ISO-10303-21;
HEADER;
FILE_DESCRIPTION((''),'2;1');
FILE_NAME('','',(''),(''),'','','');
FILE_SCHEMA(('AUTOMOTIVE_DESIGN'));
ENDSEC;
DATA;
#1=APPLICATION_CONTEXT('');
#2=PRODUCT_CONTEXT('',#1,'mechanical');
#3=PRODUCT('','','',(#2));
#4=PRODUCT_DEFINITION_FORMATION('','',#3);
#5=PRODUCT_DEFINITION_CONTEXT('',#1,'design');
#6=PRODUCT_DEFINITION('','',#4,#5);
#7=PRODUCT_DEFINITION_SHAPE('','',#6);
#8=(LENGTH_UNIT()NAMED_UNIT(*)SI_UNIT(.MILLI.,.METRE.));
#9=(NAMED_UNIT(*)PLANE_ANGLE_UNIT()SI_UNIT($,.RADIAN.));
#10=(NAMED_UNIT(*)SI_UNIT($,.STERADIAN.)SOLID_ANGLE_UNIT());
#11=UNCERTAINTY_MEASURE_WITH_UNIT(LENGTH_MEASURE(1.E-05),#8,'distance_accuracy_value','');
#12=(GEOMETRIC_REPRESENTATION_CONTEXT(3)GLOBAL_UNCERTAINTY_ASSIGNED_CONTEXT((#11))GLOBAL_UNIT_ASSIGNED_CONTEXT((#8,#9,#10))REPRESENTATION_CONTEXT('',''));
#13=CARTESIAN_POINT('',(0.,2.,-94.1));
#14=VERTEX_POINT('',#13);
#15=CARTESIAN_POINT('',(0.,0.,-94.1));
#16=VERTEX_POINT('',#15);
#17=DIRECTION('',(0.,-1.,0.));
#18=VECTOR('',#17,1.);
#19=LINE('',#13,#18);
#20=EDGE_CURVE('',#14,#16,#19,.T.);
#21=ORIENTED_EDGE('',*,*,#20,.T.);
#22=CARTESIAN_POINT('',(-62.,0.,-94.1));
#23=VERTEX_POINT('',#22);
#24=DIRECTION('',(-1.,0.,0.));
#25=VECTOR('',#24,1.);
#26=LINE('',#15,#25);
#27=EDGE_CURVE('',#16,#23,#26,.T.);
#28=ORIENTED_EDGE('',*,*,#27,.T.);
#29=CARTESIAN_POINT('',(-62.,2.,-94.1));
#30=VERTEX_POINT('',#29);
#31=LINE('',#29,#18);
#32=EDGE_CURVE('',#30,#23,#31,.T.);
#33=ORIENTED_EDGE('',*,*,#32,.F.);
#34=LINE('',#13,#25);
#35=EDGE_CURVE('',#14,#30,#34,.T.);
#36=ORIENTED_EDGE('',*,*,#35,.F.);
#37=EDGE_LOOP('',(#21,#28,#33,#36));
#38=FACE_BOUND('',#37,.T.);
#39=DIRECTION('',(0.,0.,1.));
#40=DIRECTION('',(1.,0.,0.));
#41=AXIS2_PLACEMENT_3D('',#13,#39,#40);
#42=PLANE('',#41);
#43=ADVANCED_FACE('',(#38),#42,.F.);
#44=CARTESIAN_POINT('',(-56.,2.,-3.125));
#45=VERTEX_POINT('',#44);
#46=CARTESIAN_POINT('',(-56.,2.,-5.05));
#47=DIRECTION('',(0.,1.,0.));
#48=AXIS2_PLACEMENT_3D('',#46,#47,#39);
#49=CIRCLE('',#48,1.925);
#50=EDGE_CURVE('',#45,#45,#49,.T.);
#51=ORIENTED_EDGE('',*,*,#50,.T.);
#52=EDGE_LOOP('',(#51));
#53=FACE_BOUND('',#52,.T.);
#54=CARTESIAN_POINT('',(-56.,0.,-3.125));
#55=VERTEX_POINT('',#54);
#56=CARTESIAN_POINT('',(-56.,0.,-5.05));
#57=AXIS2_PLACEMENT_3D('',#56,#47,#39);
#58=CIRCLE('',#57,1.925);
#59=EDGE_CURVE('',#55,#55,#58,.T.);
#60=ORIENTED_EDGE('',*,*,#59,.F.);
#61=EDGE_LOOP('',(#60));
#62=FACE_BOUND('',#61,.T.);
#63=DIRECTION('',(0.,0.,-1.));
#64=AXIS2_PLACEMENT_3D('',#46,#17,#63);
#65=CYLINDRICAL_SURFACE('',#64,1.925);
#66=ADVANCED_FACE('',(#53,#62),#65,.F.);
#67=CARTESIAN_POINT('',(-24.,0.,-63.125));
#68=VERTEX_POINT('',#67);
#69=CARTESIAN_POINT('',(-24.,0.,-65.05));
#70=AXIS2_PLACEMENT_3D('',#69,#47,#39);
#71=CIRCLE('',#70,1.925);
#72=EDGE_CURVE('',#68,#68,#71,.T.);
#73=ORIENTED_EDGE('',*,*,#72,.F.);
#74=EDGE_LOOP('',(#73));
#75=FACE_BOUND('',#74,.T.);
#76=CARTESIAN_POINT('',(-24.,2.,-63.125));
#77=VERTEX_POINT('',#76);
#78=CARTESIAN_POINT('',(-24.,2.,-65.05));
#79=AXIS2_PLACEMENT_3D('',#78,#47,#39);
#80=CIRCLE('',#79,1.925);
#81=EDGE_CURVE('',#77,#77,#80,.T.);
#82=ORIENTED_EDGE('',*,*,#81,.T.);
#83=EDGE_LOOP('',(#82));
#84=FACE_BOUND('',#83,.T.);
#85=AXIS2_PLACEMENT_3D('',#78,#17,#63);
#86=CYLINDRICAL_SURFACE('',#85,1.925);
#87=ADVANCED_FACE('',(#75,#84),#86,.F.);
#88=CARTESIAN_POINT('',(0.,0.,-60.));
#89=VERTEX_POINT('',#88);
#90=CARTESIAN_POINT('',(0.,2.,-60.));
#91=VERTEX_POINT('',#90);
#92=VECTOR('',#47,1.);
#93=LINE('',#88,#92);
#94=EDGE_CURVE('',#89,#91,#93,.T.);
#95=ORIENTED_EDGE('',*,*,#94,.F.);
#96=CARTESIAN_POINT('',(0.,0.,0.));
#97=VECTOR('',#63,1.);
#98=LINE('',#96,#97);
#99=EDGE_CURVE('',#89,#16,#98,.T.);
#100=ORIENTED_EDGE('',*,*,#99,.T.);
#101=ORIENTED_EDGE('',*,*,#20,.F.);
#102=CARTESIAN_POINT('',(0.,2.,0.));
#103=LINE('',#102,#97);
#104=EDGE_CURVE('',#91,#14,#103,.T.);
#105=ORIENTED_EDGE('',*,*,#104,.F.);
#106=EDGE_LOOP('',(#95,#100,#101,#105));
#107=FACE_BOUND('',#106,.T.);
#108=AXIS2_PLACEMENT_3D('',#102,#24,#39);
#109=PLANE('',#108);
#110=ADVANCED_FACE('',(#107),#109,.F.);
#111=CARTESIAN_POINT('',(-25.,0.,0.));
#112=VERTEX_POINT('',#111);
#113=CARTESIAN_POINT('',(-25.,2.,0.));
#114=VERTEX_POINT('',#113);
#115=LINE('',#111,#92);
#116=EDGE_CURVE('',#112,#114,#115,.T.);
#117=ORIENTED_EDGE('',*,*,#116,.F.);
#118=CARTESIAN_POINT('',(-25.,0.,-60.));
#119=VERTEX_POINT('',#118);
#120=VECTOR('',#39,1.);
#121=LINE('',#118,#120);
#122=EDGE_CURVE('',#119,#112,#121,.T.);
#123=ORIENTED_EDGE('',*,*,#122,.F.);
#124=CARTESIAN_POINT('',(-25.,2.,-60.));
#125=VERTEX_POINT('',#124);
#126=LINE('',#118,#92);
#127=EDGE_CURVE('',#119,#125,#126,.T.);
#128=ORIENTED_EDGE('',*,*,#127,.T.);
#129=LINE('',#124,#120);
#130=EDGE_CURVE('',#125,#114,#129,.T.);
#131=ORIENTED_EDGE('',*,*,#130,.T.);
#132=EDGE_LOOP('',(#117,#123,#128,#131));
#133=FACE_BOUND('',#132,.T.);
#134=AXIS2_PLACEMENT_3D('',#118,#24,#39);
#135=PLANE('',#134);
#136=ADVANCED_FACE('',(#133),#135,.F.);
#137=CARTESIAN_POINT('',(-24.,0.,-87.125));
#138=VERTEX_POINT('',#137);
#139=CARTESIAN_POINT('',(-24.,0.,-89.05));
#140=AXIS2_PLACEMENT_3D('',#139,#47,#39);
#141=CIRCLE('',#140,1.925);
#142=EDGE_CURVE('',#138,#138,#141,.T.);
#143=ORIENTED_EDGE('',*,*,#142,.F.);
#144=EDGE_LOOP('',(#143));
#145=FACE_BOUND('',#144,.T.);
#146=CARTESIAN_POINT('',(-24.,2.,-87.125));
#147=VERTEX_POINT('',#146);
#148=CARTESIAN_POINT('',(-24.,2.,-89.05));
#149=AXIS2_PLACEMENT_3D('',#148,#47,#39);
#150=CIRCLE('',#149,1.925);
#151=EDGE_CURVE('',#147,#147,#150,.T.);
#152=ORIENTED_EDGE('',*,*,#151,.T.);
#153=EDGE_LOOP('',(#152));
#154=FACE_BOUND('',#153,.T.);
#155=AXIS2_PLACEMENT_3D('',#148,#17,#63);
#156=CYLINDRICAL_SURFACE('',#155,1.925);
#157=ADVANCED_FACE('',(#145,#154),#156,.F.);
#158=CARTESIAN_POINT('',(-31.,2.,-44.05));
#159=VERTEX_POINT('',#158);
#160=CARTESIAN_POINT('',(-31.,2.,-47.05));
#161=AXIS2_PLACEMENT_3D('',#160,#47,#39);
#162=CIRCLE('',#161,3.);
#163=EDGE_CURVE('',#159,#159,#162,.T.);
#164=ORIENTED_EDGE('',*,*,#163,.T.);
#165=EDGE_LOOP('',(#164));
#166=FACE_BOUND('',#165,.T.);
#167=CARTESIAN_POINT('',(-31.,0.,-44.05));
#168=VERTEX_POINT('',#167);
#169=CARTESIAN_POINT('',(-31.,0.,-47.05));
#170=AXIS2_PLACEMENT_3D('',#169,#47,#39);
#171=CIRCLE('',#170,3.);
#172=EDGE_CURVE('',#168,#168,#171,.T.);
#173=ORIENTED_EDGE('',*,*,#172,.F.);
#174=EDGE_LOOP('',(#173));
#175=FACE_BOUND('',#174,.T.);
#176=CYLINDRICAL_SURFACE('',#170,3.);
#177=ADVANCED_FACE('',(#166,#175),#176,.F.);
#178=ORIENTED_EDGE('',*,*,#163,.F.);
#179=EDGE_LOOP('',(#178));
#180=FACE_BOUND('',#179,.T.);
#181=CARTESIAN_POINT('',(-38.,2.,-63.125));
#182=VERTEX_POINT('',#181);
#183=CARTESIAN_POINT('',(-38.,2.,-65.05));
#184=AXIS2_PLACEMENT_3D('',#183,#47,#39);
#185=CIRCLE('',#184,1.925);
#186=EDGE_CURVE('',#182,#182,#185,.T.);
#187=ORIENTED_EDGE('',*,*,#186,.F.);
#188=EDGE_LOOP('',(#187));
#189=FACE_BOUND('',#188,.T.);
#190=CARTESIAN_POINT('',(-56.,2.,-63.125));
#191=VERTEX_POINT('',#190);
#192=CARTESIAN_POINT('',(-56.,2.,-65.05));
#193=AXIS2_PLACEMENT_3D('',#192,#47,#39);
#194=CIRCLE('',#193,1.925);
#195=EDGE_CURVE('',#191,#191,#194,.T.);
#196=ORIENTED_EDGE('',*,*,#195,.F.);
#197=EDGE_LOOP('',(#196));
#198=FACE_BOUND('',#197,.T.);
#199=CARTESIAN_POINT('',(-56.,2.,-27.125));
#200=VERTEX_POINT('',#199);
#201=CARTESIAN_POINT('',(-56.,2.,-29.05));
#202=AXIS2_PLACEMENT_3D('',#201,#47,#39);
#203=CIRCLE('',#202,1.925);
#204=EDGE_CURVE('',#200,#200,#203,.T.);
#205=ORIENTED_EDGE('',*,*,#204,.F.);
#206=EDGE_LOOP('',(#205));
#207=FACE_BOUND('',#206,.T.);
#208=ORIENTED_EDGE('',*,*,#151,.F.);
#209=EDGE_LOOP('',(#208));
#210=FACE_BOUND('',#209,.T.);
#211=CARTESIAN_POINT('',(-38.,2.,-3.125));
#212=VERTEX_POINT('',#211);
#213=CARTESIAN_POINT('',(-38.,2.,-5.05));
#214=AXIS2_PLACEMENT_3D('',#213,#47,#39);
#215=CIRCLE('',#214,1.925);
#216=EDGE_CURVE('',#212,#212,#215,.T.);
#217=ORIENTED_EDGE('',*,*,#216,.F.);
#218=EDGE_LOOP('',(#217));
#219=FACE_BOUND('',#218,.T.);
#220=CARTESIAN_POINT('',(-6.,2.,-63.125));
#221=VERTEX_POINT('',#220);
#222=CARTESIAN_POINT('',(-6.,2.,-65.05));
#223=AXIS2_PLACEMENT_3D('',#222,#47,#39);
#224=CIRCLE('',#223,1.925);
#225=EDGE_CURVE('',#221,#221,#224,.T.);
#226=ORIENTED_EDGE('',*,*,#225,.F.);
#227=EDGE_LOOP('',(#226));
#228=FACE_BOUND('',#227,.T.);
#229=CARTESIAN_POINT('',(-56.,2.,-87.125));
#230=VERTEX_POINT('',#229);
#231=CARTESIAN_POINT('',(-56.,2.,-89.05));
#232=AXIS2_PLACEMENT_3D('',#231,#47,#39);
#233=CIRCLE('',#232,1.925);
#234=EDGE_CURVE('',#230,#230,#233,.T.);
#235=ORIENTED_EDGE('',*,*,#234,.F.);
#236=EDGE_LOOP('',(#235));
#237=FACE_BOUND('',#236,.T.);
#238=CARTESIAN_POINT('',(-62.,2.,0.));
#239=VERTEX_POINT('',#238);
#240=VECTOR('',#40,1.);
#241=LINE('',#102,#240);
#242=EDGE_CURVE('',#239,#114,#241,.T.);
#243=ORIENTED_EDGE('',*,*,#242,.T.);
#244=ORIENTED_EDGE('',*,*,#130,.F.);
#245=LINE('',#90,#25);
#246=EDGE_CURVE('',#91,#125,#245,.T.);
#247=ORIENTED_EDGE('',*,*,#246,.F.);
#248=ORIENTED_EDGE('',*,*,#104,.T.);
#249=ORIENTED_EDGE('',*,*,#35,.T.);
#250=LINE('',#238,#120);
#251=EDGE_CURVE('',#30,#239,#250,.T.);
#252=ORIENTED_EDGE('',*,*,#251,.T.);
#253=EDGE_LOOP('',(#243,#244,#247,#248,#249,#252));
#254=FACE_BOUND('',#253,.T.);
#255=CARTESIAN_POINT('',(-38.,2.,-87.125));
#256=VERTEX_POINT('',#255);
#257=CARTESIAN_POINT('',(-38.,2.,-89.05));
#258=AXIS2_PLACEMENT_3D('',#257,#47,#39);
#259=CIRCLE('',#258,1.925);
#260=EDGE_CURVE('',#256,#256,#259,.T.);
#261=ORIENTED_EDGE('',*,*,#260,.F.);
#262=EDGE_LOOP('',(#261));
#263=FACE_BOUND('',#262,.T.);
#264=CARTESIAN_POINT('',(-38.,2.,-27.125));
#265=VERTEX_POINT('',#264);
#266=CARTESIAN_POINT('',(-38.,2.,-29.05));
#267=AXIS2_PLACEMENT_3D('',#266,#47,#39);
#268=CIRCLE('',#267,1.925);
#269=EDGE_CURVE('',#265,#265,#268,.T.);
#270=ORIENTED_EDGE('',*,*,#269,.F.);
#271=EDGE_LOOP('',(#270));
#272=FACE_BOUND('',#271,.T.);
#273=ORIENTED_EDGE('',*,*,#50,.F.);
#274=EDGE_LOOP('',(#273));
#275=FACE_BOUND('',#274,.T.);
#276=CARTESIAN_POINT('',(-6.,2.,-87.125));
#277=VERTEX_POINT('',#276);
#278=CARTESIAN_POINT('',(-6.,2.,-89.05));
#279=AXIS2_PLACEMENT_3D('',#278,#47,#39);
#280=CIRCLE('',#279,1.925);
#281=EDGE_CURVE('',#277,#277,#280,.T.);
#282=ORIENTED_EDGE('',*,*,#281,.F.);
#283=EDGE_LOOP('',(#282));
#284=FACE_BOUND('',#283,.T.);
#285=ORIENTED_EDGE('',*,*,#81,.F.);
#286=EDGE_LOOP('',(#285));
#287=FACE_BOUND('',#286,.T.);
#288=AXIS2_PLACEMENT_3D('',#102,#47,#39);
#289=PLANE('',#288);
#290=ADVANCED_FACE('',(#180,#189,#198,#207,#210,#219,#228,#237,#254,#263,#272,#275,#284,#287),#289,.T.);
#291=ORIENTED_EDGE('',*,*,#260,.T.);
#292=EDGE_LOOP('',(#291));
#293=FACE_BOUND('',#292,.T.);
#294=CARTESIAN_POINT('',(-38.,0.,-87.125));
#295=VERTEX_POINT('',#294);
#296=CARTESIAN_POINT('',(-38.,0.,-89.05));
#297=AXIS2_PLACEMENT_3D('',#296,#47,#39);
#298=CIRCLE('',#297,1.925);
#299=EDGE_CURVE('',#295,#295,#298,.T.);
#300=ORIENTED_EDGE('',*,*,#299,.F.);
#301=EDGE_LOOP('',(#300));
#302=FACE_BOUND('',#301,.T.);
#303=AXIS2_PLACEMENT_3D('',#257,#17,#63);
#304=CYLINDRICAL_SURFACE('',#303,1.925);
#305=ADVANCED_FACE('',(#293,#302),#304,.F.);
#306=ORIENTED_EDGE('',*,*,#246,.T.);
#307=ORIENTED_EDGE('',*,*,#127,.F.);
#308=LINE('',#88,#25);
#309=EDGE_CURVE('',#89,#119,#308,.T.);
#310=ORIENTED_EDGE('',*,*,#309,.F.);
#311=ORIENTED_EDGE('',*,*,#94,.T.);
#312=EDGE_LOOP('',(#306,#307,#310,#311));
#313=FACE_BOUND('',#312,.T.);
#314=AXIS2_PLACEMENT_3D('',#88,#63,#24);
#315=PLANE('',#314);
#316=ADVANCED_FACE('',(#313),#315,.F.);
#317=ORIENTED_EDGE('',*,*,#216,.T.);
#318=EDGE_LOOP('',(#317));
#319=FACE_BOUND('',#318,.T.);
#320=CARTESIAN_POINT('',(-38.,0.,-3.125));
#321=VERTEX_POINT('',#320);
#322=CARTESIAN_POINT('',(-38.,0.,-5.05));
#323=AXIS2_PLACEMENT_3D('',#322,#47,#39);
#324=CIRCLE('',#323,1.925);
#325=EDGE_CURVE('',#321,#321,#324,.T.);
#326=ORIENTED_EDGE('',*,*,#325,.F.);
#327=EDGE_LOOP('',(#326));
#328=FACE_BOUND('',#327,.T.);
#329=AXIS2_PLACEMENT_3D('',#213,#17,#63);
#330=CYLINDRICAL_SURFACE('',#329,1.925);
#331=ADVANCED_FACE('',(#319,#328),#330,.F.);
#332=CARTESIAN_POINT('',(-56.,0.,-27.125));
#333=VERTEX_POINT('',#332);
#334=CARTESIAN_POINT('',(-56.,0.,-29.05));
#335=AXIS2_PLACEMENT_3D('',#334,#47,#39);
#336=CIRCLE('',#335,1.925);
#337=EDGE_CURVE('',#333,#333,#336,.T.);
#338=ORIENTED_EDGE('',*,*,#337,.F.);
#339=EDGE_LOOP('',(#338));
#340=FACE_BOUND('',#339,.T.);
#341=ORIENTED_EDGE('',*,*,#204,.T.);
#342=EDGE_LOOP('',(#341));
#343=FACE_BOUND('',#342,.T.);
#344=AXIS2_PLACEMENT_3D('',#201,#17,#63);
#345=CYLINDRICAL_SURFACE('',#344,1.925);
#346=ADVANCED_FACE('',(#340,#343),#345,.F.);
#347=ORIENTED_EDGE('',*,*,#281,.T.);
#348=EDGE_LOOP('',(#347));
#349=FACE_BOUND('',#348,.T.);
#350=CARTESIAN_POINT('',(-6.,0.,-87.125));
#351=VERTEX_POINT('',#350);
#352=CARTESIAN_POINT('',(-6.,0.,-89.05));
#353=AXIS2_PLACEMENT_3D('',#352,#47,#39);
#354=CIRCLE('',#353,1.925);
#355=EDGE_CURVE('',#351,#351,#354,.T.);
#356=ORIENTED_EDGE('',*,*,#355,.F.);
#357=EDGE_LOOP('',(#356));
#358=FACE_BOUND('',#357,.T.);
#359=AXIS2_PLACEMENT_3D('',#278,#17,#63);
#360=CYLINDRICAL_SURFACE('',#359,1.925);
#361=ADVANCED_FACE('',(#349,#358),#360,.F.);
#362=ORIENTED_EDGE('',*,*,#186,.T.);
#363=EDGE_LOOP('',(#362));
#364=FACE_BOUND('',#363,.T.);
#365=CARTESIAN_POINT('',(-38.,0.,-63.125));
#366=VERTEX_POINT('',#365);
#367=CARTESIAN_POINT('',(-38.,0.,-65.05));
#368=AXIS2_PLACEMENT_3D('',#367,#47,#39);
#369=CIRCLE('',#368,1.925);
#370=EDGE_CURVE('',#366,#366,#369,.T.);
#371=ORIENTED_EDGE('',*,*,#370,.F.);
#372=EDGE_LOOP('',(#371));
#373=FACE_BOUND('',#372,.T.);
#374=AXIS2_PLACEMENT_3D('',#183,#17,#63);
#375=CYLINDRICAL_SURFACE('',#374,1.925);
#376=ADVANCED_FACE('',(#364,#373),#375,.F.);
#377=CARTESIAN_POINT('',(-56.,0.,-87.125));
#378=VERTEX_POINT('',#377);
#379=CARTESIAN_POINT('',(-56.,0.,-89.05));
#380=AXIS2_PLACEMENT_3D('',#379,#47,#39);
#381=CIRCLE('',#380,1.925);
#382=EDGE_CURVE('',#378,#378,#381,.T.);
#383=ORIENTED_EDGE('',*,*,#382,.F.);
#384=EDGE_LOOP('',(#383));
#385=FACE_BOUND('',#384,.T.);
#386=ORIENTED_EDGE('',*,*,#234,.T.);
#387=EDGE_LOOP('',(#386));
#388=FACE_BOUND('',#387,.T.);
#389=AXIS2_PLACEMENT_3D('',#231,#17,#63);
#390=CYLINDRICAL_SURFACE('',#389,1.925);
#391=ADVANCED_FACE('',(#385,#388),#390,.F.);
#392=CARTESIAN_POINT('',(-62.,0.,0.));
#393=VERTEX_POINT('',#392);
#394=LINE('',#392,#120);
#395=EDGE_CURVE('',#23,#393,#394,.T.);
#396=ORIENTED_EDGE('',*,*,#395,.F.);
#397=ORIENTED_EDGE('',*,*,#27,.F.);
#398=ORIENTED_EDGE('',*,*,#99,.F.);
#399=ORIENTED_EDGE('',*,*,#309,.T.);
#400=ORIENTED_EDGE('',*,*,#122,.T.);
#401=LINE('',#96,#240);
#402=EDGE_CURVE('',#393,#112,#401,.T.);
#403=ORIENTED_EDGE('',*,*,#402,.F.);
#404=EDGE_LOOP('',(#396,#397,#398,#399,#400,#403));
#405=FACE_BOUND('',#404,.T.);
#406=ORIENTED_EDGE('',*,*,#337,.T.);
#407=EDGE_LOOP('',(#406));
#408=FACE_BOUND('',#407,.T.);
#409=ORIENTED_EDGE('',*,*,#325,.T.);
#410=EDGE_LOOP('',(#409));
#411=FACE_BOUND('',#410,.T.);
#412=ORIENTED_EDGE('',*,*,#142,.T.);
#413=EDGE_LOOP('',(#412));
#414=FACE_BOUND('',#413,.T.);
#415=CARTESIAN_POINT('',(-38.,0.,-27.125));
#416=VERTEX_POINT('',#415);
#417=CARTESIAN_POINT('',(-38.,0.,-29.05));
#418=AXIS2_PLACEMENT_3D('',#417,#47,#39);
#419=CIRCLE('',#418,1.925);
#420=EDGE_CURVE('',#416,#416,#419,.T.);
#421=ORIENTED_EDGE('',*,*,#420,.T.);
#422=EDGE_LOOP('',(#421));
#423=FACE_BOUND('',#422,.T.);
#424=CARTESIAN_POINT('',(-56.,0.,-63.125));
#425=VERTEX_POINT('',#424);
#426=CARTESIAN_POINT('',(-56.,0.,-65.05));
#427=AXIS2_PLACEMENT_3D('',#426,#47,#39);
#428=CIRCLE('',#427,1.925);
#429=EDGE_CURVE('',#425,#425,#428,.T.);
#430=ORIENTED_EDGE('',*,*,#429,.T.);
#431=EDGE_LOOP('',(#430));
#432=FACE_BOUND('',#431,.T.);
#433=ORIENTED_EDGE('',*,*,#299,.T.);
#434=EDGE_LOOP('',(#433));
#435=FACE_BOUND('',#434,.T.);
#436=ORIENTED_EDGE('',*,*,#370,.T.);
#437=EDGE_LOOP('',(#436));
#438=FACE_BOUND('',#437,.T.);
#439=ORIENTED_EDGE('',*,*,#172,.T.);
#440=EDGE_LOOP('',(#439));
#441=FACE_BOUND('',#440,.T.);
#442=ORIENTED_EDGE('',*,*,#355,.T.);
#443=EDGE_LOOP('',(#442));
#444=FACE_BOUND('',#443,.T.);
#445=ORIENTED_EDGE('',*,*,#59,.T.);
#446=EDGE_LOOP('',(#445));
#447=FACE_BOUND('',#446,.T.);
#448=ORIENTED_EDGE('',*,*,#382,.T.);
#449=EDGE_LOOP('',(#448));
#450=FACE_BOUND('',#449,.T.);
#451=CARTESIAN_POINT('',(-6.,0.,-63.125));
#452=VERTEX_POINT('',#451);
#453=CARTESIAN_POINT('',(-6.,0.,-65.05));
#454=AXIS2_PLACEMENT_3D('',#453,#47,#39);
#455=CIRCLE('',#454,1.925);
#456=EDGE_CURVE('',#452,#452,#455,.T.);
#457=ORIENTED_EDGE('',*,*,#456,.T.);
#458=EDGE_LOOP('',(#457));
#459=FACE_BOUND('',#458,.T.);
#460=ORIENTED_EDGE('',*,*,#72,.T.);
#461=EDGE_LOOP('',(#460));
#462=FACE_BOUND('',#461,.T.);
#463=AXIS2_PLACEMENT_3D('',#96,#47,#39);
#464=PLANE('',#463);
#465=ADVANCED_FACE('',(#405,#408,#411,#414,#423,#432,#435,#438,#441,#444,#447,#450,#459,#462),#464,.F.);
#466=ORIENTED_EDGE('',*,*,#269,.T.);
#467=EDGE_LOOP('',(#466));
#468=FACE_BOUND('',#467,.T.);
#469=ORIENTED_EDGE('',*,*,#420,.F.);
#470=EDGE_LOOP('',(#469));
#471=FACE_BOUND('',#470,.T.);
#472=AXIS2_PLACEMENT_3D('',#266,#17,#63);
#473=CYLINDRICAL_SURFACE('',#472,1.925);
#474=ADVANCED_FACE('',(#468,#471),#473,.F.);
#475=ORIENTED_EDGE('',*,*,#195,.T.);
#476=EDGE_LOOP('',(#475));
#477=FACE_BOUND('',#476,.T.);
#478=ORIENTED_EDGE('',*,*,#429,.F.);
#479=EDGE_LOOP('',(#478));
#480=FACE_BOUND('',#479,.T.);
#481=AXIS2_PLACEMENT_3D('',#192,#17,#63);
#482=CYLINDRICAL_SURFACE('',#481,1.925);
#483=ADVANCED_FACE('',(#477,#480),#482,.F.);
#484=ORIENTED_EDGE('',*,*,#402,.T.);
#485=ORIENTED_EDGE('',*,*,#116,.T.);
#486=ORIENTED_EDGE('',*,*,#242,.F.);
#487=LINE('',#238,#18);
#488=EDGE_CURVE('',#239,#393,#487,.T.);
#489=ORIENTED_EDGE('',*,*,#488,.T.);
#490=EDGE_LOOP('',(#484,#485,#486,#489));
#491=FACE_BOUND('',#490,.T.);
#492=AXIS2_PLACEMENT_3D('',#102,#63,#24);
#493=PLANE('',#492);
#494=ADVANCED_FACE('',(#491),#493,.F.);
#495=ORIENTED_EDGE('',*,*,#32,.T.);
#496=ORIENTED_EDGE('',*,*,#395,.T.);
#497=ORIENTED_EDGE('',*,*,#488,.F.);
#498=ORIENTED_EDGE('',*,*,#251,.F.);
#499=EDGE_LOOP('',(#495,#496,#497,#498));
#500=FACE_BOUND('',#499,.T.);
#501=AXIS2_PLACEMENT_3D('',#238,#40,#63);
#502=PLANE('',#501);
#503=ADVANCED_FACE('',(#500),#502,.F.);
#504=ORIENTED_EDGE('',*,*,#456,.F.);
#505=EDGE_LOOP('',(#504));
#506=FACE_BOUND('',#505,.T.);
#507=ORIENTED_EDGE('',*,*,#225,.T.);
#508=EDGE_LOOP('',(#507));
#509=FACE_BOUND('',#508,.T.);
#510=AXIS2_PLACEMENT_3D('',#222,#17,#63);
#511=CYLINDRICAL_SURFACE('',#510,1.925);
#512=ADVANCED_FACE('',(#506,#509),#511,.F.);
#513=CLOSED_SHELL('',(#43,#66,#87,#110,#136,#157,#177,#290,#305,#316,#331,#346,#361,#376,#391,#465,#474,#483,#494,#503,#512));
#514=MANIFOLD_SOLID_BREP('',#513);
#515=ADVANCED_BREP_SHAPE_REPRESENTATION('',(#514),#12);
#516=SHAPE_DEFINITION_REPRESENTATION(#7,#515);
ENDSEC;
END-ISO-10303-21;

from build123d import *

# Parameters (mm, degrees)
SKETCH1_W           = 62
SKETCH1_H           = 94.1
SKETCH1_R           = 1.925
BOSS_EXTRUDE1_DEPTH = 2
SKETCH2_R           = 3
CUT_EXTRUDE1_DEPTH  = 113.706743365
CUT_EXTRUDE2_DEPTH  = 113.706743365


with BuildPart() as part:
    # Sketch1 → Boss-Extrude1 (new body)
    with BuildSketch(Plane(origin=(0, 0, 0), x_dir=(1, 0, 0), z_dir=(0, 1, 0))):
        with Locations((-31, 47.05)):
            Rectangle(SKETCH1_W, SKETCH1_H)
        with Locations(Location((-56, 89.05, 0), (0, 0, 270))):
            Circle(SKETCH1_R, mode=Mode.SUBTRACT)
        with Locations(Location((-38, 89.05, 0), (0, 0, 270))):
            Circle(SKETCH1_R, mode=Mode.SUBTRACT)
        with Locations(Location((-38, 65.05, 0), (0, 0, 270))):
            Circle(SKETCH1_R, mode=Mode.SUBTRACT)
        with Locations(Location((-56, 65.05, 0), (0, 0, 270))):
            Circle(SKETCH1_R, mode=Mode.SUBTRACT)
        with Locations(Location((-56, 29.05, 0), (0, 0, 270))):
            Circle(SKETCH1_R, mode=Mode.SUBTRACT)
        with Locations(Location((-38, 29.05, 0), (0, 0, 270))):
            Circle(SKETCH1_R, mode=Mode.SUBTRACT)
        with Locations(Location((-38, 5.05, 0), (0, 0, 270))):
            Circle(SKETCH1_R, mode=Mode.SUBTRACT)
        with Locations(Location((-56, 5.05, 0), (0, 0, 270))):
            Circle(SKETCH1_R, mode=Mode.SUBTRACT)
        with Locations(Location((-24, 89.05, 0), (0, 0, 270))):
            Circle(SKETCH1_R, mode=Mode.SUBTRACT)
        with Locations(Location((-6, 89.05, 0), (0, 0, 270))):
            Circle(SKETCH1_R, mode=Mode.SUBTRACT)
        with Locations(Location((-6, 65.05, 0), (0, 0, 270))):
            Circle(SKETCH1_R, mode=Mode.SUBTRACT)
        with Locations(Location((-24, 65.05, 0), (0, 0, 270))):
            Circle(SKETCH1_R, mode=Mode.SUBTRACT)
    extrude(amount=BOSS_EXTRUDE1_DEPTH)

    # Sketch2 → Cut-Extrude1 (cut, through all)
    with BuildSketch(Plane(origin=(0, 2, 0), x_dir=(1, 0, 0), z_dir=(0, 1, 0))):
        with Locations(Location((-31, 47.05, 0), (0, 0, 270))):
            Circle(SKETCH2_R)
    extrude(amount=-CUT_EXTRUDE1_DEPTH, mode=Mode.SUBTRACT)

    # Sketch4 → Cut-Extrude2 (cut, through all)
    with BuildSketch(Plane(origin=(0, 2, 0), x_dir=(1, 0, 0), z_dir=(0, 1, 0))):
        Polygon((0, 60), (-25, 60), (-25, 0), (0, 0), (0, 33.776627829), align=None)
    extrude(amount=-CUT_EXTRUDE2_DEPTH, mode=Mode.SUBTRACT)


solid = part.part
